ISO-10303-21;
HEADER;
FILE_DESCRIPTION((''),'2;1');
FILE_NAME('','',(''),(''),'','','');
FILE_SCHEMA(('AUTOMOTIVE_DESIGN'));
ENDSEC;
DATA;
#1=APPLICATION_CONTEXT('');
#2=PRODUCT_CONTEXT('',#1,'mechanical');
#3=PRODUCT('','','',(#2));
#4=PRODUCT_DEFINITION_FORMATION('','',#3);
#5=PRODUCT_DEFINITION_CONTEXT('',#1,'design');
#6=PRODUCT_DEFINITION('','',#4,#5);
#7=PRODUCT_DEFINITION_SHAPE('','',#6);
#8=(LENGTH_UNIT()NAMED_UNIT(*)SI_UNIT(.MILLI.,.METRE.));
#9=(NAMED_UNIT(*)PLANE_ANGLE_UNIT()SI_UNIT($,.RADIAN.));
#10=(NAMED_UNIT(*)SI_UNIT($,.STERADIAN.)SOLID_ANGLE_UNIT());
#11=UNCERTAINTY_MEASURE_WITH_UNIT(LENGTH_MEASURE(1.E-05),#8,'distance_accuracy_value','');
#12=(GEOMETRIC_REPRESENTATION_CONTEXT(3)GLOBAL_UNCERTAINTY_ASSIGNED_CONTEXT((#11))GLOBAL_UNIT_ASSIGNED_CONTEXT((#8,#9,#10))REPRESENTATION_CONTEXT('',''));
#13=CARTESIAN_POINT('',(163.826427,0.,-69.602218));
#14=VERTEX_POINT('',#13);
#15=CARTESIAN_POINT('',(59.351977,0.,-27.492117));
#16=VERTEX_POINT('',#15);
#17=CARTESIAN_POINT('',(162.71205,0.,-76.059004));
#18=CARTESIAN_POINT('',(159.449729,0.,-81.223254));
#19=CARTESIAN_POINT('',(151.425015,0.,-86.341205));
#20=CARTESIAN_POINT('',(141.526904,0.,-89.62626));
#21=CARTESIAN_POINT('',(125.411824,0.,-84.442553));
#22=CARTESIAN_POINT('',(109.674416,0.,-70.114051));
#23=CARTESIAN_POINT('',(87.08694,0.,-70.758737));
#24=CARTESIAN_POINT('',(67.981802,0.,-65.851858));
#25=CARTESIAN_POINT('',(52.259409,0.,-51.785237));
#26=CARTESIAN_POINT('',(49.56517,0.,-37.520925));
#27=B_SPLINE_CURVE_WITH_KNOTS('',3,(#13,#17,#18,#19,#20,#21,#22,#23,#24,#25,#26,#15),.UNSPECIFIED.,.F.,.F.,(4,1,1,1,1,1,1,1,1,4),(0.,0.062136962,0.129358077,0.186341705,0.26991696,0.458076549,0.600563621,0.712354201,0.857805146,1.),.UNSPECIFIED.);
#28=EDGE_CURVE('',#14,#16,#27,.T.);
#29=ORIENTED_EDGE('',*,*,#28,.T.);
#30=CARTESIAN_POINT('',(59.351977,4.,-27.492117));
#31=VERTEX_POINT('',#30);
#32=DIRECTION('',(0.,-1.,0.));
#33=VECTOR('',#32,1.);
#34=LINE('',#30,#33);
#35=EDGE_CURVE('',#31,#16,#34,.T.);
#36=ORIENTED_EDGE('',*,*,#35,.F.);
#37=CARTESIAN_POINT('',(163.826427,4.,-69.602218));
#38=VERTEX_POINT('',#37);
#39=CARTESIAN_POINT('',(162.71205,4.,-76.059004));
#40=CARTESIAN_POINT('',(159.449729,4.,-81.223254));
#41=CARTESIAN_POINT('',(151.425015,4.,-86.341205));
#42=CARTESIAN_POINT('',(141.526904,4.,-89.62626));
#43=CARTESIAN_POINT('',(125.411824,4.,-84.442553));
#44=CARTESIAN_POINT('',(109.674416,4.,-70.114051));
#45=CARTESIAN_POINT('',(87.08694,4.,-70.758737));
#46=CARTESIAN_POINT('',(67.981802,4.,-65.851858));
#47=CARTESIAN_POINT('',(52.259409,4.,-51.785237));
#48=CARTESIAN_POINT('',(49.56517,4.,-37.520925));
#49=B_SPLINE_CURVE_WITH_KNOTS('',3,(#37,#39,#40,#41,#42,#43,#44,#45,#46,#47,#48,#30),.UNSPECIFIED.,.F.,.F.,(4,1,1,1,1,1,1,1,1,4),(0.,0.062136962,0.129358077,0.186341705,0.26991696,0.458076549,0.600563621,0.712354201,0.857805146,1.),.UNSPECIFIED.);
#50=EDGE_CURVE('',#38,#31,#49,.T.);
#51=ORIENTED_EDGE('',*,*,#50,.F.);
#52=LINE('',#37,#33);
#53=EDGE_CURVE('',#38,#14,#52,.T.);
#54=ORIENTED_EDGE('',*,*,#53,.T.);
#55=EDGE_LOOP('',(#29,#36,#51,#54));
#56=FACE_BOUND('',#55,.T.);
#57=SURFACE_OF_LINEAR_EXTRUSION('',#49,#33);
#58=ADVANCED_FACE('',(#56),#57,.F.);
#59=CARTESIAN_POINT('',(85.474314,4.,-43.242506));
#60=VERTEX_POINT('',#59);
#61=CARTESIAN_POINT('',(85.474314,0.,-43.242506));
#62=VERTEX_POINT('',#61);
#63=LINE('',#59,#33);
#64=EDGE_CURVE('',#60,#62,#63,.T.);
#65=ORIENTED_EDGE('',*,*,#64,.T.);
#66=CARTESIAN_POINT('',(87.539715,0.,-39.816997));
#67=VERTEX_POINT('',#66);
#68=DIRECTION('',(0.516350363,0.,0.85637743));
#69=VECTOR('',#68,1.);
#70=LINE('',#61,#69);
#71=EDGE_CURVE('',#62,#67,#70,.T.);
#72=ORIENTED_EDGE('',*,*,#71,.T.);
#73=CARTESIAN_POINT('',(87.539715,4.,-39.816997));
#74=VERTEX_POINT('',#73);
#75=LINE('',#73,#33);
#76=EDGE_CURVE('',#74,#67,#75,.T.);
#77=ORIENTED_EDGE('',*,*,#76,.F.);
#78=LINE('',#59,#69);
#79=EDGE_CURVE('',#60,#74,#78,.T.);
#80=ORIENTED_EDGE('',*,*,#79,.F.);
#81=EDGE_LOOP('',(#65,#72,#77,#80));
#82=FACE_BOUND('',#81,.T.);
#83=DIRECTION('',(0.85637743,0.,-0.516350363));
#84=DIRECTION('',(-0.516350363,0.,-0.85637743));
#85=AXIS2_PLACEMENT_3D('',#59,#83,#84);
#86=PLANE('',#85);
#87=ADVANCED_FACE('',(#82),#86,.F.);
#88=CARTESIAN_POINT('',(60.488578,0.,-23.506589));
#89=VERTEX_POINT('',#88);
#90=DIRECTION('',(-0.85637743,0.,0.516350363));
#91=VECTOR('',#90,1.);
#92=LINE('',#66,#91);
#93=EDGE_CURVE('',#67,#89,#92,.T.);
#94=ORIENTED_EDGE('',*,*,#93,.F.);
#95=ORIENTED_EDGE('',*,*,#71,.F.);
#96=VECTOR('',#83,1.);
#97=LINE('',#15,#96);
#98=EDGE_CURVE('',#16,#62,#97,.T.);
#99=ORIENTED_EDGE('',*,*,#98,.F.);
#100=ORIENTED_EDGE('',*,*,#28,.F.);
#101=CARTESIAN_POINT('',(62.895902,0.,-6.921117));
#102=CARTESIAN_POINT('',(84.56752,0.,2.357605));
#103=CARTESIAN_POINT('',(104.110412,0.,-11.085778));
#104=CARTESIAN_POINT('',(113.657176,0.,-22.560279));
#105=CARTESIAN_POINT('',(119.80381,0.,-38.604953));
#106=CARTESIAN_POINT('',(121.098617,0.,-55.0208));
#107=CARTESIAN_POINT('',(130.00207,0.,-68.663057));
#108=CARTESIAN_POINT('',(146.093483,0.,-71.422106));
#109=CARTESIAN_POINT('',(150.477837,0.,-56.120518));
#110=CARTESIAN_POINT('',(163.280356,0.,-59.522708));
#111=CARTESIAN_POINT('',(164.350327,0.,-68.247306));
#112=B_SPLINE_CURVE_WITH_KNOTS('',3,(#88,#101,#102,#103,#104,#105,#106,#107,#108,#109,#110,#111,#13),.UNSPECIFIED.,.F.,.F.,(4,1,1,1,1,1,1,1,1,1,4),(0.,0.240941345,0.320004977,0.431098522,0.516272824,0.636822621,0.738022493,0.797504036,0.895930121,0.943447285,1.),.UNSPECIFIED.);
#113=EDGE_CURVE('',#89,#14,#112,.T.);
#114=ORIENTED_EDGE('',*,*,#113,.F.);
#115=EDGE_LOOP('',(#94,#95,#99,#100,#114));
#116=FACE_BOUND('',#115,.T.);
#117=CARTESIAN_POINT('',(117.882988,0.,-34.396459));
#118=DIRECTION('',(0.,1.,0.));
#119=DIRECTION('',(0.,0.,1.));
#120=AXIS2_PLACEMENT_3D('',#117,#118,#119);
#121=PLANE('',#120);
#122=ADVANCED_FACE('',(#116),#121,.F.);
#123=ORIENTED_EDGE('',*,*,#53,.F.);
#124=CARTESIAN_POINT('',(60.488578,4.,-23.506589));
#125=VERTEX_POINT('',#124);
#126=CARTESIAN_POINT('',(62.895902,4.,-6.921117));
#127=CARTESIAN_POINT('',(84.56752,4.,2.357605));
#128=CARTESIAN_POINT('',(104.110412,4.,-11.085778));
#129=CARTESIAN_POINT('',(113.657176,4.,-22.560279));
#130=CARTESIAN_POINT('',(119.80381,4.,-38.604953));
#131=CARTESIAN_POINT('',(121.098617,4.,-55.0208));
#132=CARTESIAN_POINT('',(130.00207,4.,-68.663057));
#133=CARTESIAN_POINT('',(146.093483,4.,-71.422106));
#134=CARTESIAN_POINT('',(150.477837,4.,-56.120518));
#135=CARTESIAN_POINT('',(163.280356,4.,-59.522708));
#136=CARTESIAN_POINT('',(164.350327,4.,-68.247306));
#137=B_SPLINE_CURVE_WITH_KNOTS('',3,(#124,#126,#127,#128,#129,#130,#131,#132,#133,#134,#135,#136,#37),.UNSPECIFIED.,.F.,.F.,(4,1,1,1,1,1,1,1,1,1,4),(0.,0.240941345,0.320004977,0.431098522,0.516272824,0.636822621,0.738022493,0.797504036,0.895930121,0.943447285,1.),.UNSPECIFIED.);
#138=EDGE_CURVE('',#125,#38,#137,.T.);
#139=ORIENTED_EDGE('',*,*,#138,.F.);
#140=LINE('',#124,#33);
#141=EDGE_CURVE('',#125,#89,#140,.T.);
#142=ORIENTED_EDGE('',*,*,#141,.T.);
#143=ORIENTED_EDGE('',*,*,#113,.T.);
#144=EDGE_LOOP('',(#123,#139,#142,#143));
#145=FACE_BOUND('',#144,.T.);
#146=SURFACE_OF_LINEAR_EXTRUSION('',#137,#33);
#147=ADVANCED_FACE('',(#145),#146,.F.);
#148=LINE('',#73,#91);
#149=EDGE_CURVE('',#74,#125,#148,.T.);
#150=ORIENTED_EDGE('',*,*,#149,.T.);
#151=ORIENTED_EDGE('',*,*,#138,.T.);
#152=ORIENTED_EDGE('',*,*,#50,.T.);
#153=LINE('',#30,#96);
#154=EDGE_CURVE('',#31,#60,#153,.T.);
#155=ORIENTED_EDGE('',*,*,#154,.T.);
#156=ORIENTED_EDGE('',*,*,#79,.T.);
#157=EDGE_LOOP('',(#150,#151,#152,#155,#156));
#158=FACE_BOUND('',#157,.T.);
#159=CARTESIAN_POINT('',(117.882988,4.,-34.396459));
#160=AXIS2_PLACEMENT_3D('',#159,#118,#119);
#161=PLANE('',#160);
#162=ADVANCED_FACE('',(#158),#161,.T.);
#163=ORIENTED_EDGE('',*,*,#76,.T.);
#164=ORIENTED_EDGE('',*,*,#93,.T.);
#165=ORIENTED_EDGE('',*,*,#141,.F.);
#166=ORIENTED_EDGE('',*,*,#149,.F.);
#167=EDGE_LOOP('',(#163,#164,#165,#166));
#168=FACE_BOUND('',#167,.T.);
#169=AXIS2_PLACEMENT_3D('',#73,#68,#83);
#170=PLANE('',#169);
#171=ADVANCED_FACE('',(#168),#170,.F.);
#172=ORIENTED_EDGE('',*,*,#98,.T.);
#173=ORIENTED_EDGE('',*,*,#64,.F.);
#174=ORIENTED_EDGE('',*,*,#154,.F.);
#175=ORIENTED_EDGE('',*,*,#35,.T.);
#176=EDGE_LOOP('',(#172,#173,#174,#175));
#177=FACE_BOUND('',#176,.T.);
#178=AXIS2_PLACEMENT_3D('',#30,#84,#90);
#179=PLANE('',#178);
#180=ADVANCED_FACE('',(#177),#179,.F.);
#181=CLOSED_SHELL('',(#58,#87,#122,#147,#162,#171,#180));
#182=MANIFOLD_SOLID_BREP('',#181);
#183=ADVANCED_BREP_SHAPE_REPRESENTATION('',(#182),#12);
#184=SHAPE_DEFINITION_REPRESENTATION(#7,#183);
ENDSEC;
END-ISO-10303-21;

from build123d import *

# Parameters (mm, degrees)
EXTRUDE_1_DEPTH = 4


with BuildPart() as part:
    # Эскиз1 → Бобышка-Вытянуть1 (new body)
    with BuildSketch(Plane(origin=(0, 0, 0), x_dir=(1, 0, 0), z_dir=(0, 1, 0))):
        with BuildLine():
            Line((59.351976898, 27.492116897), (85.47431353, 43.242506303))
            Line((85.47431353, 43.242506303), (87.539714982, 39.816996583))
            Line((87.539714982, 39.816996583), (60.488577547, 23.506589345))
            add(Edge.make_bspline(
                [(163.826427387, 69.602217713), (164.350326554, 68.247306073), (163.280356213, 59.522708221), (150.477837292, 56.120517567), (146.093483495, 71.422105578), (130.002070287, 68.663056602), (121.098616767, 55.020799634), (119.803810225, 38.604953487), (113.65717575, 22.560279167), (104.110411774, 11.08577814), (84.567519584, -2.357604583), (62.895902113, 6.921116662), (60.488577547, 23.506589345)],
                knots=[0, 0, 0, 0, 0.056552715, 0.104069879, 0.202495964, 0.261977507, 0.363177379, 0.483727176, 0.568901478, 0.679995023, 0.759058655, 1, 1, 1, 1], degree=3))
            add(Edge.make_bspline(
                [(163.826427387, 69.602217713), (162.712049588, 76.05900402), (159.44972859, 81.223253645), (151.425014845, 86.34120513), (141.526903834, 89.626260013), (125.411823952, 84.442552935), (109.674416259, 70.114050593), (87.086939692, 70.758737467), (67.981802079, 65.851858467), (52.25940893, 51.785237476), (49.56517022, 37.520925148), (59.351976898, 27.492116897)],
                knots=[0, 0, 0, 0, 0.062136962, 0.129358077, 0.186341705, 0.26991696, 0.458076549, 0.600563621, 0.712354201, 0.857805146, 1, 1, 1, 1], degree=3))
        make_face()
    extrude(amount=EXTRUDE_1_DEPTH)


solid = part.part
